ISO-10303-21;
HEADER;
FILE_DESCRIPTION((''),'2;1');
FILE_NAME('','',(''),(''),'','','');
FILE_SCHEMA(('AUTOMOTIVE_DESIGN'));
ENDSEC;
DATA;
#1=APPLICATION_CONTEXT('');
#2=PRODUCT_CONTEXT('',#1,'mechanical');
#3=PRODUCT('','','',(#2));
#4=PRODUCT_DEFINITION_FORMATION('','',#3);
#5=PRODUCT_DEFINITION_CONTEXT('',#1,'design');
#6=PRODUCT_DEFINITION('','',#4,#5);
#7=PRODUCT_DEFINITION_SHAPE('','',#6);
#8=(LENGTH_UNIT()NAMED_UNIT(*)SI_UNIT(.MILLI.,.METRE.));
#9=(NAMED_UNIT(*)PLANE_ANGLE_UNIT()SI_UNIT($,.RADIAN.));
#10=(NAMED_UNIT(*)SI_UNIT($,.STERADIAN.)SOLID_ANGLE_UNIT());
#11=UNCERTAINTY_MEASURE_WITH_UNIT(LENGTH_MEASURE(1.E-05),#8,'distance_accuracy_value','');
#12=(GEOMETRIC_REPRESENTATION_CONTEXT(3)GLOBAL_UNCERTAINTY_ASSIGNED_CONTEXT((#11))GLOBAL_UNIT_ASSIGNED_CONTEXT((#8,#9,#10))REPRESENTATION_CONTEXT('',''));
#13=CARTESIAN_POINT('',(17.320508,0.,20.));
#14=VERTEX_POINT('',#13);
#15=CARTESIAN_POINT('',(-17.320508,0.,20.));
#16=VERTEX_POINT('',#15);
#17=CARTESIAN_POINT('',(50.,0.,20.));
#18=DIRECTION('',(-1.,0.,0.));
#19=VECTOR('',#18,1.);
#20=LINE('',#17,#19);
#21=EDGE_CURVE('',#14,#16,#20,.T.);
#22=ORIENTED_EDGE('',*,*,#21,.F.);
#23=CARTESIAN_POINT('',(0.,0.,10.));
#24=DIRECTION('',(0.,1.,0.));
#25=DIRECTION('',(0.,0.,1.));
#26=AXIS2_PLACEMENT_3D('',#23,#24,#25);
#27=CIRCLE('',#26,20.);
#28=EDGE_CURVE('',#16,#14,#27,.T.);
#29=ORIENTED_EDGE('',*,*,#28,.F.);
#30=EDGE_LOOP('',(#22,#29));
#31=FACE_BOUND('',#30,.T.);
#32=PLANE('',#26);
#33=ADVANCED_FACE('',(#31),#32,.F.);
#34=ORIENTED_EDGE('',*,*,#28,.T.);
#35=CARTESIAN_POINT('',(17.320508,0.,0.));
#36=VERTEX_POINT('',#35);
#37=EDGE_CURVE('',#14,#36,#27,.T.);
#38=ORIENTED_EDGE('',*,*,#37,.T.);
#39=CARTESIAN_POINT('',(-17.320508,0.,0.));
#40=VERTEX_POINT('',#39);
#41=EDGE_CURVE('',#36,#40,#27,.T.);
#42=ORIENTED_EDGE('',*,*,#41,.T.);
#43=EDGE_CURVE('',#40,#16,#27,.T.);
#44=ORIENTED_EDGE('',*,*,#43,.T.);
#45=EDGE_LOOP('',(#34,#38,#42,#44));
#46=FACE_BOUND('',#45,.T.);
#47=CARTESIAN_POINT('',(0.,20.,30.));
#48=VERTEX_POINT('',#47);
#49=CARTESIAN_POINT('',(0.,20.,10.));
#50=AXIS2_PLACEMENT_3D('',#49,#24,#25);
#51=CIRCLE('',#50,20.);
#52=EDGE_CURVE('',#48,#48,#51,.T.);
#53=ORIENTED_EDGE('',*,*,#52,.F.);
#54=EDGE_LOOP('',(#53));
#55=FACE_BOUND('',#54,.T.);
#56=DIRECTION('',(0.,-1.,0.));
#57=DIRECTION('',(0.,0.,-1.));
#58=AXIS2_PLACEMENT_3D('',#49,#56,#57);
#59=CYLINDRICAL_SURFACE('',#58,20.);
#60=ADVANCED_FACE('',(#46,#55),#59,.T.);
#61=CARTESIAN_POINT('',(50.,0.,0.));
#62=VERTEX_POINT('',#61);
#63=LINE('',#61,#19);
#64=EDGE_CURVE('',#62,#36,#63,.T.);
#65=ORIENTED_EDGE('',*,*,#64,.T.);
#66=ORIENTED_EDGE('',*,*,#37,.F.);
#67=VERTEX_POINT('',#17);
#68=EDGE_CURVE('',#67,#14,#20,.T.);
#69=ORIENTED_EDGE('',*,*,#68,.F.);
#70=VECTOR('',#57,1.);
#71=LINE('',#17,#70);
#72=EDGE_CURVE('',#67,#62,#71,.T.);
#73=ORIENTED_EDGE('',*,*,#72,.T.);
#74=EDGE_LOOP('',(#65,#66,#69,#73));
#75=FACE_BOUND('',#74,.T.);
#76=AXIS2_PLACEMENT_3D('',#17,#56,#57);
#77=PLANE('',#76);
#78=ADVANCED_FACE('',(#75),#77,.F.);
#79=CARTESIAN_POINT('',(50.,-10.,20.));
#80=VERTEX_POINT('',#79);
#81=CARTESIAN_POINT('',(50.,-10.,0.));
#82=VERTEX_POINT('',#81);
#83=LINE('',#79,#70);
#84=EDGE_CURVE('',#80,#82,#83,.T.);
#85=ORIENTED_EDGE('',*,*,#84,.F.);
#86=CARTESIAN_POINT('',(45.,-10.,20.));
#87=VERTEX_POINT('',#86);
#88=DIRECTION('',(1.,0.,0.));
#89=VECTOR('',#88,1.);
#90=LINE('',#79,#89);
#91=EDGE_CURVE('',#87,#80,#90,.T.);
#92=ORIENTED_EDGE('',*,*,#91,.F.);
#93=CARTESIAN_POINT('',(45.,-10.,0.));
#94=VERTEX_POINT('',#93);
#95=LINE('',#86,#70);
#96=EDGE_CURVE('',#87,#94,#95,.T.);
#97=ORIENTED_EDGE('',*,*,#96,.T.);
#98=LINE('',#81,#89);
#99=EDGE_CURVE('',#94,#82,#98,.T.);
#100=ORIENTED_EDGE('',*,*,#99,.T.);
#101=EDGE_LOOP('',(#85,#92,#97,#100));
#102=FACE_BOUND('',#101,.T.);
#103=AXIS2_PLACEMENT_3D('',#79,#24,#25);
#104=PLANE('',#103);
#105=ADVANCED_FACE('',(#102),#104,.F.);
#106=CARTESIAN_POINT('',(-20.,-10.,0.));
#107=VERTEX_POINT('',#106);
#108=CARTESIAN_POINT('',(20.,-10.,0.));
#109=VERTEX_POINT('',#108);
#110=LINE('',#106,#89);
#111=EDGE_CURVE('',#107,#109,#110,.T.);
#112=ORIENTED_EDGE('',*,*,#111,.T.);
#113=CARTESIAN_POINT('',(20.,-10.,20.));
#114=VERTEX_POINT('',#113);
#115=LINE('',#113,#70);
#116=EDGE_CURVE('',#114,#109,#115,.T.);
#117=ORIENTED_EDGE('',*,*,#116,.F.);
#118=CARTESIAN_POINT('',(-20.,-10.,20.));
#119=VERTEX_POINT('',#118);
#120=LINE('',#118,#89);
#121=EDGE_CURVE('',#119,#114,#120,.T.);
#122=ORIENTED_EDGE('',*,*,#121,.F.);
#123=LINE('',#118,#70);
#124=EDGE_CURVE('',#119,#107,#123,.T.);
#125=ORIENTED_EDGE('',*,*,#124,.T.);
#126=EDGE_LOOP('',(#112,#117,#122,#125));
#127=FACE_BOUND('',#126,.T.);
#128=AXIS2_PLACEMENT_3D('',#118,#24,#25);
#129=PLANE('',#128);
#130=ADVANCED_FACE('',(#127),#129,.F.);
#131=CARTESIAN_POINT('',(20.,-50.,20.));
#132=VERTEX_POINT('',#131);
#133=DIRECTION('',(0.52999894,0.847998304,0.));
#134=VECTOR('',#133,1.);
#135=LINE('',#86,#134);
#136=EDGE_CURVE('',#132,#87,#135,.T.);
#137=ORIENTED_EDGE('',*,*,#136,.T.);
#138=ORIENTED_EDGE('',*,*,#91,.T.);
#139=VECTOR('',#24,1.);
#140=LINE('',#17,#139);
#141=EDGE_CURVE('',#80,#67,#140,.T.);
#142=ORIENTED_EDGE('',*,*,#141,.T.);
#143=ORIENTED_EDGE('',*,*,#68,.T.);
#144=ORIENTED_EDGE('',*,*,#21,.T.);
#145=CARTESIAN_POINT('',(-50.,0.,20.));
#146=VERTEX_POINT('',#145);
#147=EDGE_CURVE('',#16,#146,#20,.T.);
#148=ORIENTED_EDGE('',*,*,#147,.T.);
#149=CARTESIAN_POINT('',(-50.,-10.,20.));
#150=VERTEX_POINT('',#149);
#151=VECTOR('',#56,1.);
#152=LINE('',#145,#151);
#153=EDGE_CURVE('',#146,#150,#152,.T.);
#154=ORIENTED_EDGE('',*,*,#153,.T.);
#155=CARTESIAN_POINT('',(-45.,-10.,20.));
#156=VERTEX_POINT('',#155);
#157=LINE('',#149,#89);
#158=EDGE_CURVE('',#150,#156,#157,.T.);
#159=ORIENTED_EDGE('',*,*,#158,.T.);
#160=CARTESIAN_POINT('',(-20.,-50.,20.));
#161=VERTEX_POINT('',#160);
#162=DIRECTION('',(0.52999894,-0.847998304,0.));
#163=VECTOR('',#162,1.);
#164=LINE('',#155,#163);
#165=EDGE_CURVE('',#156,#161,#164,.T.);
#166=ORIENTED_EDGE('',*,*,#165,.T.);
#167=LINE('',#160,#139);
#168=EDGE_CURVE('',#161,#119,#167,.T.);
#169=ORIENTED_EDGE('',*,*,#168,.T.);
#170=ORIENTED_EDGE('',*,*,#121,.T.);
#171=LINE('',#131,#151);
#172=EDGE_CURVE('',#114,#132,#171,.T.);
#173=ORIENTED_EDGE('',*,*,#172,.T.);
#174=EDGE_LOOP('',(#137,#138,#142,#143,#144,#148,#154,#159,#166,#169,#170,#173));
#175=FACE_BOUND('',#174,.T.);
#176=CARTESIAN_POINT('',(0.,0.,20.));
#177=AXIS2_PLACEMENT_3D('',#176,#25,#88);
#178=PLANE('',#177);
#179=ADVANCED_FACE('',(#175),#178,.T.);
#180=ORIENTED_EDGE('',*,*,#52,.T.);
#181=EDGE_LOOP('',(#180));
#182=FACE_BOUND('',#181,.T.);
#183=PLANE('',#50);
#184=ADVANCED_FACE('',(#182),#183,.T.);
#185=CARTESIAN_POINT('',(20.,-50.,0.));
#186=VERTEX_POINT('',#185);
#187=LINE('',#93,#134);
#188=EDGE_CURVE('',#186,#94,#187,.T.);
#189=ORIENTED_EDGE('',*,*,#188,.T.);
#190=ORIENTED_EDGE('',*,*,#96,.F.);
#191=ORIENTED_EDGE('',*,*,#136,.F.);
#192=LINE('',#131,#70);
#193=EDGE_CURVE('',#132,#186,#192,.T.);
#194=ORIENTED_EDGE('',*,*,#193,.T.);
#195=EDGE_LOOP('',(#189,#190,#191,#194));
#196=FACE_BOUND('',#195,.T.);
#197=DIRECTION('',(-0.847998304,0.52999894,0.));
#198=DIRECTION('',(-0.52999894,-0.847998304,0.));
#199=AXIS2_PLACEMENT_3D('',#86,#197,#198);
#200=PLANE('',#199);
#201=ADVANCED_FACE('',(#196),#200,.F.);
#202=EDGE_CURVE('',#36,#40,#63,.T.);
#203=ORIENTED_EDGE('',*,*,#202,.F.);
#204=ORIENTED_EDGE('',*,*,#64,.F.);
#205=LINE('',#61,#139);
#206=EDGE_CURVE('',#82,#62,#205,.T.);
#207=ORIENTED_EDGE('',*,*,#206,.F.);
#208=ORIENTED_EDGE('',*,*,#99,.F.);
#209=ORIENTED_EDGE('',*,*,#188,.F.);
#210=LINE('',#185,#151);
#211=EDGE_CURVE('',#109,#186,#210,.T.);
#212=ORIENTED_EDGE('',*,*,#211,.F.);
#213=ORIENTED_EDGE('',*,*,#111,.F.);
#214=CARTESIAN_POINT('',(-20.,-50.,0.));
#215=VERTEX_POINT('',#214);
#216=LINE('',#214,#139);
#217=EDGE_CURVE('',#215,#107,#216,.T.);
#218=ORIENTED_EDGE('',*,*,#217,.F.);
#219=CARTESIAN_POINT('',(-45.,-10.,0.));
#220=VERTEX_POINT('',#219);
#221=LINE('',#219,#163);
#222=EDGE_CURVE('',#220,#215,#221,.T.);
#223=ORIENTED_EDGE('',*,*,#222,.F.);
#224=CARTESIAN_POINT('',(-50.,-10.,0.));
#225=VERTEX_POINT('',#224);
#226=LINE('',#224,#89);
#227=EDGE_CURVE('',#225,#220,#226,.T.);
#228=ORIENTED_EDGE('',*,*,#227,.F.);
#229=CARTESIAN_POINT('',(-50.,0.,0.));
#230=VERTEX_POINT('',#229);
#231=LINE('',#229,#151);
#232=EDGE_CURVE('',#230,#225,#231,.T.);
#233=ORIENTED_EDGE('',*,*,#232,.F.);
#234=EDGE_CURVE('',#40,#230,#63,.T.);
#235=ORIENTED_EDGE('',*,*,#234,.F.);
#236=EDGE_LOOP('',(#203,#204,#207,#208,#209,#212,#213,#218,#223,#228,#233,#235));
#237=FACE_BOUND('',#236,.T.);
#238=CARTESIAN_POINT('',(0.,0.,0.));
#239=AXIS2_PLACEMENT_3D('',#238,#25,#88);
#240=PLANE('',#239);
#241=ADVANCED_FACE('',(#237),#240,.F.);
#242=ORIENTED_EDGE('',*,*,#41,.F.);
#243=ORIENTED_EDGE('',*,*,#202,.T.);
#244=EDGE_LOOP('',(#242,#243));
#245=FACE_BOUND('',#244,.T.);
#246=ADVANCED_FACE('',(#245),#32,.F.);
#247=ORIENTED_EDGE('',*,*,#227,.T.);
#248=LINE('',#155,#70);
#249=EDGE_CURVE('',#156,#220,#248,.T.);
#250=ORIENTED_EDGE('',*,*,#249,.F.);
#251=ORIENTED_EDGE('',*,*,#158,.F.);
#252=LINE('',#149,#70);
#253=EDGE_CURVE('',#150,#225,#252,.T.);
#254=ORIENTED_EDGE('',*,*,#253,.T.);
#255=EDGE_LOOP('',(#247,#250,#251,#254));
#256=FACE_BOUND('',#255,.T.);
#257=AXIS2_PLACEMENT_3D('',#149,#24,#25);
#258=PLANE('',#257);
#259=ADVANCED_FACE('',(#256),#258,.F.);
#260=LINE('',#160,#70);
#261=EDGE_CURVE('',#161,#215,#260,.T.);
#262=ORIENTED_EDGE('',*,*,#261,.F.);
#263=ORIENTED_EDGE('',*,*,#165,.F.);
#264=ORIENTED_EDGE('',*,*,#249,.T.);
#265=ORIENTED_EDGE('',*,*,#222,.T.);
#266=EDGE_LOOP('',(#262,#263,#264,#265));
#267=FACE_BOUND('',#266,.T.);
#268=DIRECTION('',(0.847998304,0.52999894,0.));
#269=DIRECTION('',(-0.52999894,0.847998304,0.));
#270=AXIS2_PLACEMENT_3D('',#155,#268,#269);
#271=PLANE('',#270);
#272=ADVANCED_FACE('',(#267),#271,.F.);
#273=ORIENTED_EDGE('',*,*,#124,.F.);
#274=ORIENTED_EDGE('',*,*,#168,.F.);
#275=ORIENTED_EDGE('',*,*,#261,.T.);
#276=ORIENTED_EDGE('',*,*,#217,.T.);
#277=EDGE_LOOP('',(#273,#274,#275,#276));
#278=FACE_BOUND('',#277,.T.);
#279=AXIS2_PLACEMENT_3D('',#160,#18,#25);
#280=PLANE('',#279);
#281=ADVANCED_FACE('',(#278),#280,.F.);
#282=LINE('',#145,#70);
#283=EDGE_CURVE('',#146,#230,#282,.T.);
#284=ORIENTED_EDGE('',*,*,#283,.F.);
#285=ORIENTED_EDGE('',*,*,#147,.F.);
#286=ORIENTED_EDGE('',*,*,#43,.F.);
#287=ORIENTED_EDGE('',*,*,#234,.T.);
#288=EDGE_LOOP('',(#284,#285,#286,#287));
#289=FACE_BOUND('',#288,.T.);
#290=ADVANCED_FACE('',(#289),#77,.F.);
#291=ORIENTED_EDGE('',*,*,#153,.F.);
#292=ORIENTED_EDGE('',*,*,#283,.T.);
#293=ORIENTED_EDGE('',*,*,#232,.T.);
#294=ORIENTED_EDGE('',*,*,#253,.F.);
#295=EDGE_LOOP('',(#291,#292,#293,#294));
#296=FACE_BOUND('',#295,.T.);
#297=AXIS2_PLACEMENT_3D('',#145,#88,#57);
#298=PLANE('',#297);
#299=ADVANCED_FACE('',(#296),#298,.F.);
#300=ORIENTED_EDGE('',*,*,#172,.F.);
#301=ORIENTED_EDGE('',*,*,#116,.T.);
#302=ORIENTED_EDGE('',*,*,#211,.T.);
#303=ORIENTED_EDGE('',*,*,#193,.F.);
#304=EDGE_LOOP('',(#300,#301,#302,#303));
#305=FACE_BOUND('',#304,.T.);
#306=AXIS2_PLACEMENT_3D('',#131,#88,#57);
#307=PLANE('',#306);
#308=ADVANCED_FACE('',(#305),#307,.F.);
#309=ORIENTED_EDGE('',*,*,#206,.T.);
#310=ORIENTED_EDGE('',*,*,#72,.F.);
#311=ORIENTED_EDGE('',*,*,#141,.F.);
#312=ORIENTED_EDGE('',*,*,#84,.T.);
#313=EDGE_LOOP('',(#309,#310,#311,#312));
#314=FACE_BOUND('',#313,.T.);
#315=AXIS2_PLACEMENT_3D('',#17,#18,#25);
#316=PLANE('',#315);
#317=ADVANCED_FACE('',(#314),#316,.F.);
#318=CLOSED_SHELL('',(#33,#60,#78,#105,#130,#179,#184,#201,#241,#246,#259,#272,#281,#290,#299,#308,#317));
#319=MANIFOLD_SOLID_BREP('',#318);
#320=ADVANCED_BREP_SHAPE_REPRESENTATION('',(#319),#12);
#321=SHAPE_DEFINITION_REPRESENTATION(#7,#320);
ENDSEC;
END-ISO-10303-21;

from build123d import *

# Parameters (mm, degrees)
EXTRUDE_1_DEPTH = 20
SKETCH_3_R      = 20
EXTRUDE_2_DEPTH = 20


with BuildPart() as part:
    # 草图2 → 凸台-拉伸1 (new body)
    with BuildSketch(Plane.XY):
        Polygon((50, 0), (-50, 0), (-50, -10), (-45, -10), (-20, -50), (-20, -10), (20, -10), (20, -50), (45, -10), (50, -10), align=None)
    extrude(amount=EXTRUDE_1_DEPTH)

    # 草图3 → 凸台-拉伸2 (add)
    with BuildSketch(Plane(origin=(0, 0, 0), x_dir=(1, 0, 0), z_dir=(0, 1, 0))):
        with Locations(Location((0, -10, 0), (0, 0, 30))):
            Circle(SKETCH_3_R)
    extrude(amount=EXTRUDE_2_DEPTH)


solid = part.part
